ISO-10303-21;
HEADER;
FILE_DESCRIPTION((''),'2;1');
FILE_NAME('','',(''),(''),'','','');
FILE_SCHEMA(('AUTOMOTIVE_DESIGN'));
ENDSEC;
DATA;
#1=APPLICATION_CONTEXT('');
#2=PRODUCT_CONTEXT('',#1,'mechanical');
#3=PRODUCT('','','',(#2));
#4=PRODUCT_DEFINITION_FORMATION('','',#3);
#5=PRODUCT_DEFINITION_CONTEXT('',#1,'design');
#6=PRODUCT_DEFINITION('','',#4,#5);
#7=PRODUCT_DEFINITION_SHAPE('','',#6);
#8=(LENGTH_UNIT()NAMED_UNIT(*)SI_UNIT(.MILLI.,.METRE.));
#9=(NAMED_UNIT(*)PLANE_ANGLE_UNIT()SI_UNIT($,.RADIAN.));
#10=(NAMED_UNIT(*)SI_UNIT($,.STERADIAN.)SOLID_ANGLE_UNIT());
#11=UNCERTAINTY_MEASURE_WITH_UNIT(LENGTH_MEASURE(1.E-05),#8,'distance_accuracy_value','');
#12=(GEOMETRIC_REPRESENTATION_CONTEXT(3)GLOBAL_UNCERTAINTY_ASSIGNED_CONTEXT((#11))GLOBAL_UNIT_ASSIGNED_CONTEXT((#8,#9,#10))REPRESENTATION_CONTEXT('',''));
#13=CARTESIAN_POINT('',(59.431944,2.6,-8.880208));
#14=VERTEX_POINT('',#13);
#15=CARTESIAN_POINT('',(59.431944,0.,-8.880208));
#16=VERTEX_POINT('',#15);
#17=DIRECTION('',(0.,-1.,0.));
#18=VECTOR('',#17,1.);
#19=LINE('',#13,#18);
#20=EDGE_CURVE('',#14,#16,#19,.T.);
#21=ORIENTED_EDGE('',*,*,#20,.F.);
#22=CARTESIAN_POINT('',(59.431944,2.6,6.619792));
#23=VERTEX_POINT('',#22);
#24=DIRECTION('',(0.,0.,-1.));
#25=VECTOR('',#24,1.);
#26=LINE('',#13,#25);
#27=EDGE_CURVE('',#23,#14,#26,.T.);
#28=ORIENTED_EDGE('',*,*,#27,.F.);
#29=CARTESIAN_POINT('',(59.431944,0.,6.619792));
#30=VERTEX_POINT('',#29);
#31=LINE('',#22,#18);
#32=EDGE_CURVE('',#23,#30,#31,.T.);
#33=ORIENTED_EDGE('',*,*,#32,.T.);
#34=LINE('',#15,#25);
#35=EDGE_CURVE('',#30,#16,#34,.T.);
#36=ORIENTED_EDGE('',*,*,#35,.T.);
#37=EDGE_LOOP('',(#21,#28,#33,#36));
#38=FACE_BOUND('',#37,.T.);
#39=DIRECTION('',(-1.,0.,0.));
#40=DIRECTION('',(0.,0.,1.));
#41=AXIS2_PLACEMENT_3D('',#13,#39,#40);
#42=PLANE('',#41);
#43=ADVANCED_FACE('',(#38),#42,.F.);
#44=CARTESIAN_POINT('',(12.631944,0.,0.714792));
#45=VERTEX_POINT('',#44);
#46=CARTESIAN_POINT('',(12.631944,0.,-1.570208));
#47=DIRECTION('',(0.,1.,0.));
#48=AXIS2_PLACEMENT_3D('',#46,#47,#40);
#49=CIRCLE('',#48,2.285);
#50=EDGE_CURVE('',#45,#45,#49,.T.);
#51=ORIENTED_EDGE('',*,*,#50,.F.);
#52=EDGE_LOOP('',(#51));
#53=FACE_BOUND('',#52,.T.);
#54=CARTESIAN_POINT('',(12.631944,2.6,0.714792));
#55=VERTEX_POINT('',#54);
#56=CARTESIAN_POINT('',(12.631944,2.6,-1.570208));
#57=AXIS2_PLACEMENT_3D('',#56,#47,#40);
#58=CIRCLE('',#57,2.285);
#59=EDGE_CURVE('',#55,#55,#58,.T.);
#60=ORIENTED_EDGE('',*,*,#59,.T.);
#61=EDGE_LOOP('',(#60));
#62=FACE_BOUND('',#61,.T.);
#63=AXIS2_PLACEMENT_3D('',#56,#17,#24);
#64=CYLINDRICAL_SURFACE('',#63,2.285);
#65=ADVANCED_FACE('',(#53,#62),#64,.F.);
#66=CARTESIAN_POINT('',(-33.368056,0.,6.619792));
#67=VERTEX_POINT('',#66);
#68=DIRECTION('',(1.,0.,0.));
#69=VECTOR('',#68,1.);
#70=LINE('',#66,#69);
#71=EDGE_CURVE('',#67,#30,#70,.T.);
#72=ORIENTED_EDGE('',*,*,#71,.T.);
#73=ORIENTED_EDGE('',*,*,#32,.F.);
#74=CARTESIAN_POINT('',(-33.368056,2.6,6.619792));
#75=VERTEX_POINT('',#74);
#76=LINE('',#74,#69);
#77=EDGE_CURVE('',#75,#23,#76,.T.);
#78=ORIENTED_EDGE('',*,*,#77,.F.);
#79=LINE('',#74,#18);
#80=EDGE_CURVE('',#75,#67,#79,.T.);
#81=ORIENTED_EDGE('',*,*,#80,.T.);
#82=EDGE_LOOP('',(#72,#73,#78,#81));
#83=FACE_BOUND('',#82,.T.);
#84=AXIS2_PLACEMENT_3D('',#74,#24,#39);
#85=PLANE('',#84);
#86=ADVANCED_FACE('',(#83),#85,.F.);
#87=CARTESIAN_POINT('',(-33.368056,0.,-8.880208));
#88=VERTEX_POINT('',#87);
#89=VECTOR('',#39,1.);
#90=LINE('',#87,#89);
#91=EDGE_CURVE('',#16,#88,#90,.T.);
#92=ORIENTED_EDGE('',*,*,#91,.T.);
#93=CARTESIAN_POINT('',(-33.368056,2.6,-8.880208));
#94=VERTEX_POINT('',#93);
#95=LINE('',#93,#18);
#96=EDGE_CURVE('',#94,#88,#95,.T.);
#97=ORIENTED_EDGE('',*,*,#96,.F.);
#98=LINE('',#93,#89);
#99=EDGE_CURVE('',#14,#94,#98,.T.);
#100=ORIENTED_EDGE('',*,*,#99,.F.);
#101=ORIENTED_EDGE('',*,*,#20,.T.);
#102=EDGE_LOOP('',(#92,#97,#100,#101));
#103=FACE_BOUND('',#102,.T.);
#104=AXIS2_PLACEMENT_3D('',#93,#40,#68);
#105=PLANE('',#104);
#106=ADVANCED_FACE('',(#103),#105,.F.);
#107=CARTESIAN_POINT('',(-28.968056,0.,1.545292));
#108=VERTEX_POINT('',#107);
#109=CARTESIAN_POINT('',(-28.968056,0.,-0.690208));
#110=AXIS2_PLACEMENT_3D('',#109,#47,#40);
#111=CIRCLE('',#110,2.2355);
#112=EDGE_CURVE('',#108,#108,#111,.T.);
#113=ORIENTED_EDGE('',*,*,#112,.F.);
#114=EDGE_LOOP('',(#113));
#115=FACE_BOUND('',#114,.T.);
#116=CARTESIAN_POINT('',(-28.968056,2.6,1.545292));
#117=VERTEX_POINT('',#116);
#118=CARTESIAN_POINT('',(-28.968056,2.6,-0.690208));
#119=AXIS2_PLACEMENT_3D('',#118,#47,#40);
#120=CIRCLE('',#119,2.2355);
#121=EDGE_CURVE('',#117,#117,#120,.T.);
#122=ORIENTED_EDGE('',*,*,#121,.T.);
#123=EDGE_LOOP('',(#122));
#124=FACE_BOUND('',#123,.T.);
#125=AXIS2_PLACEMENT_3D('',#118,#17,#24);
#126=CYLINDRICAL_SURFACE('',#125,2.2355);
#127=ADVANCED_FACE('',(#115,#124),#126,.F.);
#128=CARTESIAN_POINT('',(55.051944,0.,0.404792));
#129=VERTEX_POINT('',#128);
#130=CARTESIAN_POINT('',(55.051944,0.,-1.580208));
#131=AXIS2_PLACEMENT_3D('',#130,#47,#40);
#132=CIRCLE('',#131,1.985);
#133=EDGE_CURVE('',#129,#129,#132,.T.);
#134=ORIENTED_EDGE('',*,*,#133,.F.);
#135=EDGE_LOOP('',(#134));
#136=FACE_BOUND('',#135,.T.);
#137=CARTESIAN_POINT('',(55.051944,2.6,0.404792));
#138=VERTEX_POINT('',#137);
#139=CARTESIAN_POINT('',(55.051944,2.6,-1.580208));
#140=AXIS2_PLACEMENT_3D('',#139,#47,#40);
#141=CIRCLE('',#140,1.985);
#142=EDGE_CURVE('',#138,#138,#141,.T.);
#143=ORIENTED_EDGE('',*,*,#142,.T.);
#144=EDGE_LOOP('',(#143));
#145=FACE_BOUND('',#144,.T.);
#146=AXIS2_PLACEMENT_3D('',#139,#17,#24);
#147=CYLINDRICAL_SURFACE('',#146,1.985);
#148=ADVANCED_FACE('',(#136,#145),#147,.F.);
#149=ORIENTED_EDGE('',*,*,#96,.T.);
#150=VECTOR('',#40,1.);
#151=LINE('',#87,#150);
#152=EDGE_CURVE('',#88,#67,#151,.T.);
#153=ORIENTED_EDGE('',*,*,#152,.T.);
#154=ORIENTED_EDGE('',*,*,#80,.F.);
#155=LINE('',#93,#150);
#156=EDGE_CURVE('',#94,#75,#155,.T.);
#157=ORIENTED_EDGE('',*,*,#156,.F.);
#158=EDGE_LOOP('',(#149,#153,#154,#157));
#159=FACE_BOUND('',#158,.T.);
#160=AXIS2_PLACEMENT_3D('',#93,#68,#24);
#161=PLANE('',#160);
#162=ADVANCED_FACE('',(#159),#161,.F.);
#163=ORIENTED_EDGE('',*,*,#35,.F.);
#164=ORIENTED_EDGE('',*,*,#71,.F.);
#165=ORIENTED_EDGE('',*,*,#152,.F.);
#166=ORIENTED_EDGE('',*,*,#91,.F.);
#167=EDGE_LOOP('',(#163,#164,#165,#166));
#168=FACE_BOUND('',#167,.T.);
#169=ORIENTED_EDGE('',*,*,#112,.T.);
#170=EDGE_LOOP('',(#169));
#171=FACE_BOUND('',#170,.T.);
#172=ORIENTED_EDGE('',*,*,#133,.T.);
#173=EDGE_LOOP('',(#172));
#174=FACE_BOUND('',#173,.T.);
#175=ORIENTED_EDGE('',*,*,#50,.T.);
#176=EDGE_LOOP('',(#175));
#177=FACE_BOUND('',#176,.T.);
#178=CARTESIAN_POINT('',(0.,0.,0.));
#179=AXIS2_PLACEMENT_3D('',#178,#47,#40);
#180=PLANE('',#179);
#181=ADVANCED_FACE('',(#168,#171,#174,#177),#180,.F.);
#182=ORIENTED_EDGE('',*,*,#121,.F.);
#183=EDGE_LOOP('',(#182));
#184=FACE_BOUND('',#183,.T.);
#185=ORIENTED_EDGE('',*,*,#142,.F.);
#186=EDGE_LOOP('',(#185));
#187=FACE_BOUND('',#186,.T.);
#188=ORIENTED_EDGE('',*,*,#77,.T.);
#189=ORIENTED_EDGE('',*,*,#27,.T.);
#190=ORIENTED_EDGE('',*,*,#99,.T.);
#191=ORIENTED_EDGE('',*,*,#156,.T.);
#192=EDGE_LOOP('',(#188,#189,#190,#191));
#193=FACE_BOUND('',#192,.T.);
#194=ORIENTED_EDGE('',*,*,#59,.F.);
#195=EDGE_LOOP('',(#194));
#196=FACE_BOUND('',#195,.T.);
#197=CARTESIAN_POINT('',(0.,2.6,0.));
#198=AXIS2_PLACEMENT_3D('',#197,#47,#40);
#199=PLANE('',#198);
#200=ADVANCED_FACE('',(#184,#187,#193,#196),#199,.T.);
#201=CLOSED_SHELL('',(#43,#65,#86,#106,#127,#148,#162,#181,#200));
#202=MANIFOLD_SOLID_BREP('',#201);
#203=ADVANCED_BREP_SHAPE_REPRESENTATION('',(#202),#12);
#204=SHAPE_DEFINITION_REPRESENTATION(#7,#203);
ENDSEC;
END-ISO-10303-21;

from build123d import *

# Parameters (mm, degrees)
SKETCH1_W           = 92.8
SKETCH1_H           = 15.5
SKETCH1_R           = 2.2355
SKETCH1_R_2         = 2.285
SKETCH1_R_3         = 1.985
BOSS_EXTRUDE1_DEPTH = 2.6


with BuildPart() as part:
    # Sketch1 → Boss-Extrude1 (new body)
    with BuildSketch(Plane(origin=(0, 0, 0), x_dir=(1, 0, 0), z_dir=(0, 1, 0))):
        with Locations((13.031944444, 1.130208333)):
            Rectangle(SKETCH1_W, SKETCH1_H)
        with Locations(Location((-28.968055556, 0.690208333, 0), (0, 0, 270))):
            Circle(SKETCH1_R, mode=Mode.SUBTRACT)
        with Locations(Location((12.631944444, 1.570208333, 0), (0, 0, 270))):
            Circle(SKETCH1_R_2, mode=Mode.SUBTRACT)
        with Locations(Location((55.051944444, 1.580208333, 0), (0, 0, 270))):
            Circle(SKETCH1_R_3, mode=Mode.SUBTRACT)
    extrude(amount=BOSS_EXTRUDE1_DEPTH)


solid = part.part
